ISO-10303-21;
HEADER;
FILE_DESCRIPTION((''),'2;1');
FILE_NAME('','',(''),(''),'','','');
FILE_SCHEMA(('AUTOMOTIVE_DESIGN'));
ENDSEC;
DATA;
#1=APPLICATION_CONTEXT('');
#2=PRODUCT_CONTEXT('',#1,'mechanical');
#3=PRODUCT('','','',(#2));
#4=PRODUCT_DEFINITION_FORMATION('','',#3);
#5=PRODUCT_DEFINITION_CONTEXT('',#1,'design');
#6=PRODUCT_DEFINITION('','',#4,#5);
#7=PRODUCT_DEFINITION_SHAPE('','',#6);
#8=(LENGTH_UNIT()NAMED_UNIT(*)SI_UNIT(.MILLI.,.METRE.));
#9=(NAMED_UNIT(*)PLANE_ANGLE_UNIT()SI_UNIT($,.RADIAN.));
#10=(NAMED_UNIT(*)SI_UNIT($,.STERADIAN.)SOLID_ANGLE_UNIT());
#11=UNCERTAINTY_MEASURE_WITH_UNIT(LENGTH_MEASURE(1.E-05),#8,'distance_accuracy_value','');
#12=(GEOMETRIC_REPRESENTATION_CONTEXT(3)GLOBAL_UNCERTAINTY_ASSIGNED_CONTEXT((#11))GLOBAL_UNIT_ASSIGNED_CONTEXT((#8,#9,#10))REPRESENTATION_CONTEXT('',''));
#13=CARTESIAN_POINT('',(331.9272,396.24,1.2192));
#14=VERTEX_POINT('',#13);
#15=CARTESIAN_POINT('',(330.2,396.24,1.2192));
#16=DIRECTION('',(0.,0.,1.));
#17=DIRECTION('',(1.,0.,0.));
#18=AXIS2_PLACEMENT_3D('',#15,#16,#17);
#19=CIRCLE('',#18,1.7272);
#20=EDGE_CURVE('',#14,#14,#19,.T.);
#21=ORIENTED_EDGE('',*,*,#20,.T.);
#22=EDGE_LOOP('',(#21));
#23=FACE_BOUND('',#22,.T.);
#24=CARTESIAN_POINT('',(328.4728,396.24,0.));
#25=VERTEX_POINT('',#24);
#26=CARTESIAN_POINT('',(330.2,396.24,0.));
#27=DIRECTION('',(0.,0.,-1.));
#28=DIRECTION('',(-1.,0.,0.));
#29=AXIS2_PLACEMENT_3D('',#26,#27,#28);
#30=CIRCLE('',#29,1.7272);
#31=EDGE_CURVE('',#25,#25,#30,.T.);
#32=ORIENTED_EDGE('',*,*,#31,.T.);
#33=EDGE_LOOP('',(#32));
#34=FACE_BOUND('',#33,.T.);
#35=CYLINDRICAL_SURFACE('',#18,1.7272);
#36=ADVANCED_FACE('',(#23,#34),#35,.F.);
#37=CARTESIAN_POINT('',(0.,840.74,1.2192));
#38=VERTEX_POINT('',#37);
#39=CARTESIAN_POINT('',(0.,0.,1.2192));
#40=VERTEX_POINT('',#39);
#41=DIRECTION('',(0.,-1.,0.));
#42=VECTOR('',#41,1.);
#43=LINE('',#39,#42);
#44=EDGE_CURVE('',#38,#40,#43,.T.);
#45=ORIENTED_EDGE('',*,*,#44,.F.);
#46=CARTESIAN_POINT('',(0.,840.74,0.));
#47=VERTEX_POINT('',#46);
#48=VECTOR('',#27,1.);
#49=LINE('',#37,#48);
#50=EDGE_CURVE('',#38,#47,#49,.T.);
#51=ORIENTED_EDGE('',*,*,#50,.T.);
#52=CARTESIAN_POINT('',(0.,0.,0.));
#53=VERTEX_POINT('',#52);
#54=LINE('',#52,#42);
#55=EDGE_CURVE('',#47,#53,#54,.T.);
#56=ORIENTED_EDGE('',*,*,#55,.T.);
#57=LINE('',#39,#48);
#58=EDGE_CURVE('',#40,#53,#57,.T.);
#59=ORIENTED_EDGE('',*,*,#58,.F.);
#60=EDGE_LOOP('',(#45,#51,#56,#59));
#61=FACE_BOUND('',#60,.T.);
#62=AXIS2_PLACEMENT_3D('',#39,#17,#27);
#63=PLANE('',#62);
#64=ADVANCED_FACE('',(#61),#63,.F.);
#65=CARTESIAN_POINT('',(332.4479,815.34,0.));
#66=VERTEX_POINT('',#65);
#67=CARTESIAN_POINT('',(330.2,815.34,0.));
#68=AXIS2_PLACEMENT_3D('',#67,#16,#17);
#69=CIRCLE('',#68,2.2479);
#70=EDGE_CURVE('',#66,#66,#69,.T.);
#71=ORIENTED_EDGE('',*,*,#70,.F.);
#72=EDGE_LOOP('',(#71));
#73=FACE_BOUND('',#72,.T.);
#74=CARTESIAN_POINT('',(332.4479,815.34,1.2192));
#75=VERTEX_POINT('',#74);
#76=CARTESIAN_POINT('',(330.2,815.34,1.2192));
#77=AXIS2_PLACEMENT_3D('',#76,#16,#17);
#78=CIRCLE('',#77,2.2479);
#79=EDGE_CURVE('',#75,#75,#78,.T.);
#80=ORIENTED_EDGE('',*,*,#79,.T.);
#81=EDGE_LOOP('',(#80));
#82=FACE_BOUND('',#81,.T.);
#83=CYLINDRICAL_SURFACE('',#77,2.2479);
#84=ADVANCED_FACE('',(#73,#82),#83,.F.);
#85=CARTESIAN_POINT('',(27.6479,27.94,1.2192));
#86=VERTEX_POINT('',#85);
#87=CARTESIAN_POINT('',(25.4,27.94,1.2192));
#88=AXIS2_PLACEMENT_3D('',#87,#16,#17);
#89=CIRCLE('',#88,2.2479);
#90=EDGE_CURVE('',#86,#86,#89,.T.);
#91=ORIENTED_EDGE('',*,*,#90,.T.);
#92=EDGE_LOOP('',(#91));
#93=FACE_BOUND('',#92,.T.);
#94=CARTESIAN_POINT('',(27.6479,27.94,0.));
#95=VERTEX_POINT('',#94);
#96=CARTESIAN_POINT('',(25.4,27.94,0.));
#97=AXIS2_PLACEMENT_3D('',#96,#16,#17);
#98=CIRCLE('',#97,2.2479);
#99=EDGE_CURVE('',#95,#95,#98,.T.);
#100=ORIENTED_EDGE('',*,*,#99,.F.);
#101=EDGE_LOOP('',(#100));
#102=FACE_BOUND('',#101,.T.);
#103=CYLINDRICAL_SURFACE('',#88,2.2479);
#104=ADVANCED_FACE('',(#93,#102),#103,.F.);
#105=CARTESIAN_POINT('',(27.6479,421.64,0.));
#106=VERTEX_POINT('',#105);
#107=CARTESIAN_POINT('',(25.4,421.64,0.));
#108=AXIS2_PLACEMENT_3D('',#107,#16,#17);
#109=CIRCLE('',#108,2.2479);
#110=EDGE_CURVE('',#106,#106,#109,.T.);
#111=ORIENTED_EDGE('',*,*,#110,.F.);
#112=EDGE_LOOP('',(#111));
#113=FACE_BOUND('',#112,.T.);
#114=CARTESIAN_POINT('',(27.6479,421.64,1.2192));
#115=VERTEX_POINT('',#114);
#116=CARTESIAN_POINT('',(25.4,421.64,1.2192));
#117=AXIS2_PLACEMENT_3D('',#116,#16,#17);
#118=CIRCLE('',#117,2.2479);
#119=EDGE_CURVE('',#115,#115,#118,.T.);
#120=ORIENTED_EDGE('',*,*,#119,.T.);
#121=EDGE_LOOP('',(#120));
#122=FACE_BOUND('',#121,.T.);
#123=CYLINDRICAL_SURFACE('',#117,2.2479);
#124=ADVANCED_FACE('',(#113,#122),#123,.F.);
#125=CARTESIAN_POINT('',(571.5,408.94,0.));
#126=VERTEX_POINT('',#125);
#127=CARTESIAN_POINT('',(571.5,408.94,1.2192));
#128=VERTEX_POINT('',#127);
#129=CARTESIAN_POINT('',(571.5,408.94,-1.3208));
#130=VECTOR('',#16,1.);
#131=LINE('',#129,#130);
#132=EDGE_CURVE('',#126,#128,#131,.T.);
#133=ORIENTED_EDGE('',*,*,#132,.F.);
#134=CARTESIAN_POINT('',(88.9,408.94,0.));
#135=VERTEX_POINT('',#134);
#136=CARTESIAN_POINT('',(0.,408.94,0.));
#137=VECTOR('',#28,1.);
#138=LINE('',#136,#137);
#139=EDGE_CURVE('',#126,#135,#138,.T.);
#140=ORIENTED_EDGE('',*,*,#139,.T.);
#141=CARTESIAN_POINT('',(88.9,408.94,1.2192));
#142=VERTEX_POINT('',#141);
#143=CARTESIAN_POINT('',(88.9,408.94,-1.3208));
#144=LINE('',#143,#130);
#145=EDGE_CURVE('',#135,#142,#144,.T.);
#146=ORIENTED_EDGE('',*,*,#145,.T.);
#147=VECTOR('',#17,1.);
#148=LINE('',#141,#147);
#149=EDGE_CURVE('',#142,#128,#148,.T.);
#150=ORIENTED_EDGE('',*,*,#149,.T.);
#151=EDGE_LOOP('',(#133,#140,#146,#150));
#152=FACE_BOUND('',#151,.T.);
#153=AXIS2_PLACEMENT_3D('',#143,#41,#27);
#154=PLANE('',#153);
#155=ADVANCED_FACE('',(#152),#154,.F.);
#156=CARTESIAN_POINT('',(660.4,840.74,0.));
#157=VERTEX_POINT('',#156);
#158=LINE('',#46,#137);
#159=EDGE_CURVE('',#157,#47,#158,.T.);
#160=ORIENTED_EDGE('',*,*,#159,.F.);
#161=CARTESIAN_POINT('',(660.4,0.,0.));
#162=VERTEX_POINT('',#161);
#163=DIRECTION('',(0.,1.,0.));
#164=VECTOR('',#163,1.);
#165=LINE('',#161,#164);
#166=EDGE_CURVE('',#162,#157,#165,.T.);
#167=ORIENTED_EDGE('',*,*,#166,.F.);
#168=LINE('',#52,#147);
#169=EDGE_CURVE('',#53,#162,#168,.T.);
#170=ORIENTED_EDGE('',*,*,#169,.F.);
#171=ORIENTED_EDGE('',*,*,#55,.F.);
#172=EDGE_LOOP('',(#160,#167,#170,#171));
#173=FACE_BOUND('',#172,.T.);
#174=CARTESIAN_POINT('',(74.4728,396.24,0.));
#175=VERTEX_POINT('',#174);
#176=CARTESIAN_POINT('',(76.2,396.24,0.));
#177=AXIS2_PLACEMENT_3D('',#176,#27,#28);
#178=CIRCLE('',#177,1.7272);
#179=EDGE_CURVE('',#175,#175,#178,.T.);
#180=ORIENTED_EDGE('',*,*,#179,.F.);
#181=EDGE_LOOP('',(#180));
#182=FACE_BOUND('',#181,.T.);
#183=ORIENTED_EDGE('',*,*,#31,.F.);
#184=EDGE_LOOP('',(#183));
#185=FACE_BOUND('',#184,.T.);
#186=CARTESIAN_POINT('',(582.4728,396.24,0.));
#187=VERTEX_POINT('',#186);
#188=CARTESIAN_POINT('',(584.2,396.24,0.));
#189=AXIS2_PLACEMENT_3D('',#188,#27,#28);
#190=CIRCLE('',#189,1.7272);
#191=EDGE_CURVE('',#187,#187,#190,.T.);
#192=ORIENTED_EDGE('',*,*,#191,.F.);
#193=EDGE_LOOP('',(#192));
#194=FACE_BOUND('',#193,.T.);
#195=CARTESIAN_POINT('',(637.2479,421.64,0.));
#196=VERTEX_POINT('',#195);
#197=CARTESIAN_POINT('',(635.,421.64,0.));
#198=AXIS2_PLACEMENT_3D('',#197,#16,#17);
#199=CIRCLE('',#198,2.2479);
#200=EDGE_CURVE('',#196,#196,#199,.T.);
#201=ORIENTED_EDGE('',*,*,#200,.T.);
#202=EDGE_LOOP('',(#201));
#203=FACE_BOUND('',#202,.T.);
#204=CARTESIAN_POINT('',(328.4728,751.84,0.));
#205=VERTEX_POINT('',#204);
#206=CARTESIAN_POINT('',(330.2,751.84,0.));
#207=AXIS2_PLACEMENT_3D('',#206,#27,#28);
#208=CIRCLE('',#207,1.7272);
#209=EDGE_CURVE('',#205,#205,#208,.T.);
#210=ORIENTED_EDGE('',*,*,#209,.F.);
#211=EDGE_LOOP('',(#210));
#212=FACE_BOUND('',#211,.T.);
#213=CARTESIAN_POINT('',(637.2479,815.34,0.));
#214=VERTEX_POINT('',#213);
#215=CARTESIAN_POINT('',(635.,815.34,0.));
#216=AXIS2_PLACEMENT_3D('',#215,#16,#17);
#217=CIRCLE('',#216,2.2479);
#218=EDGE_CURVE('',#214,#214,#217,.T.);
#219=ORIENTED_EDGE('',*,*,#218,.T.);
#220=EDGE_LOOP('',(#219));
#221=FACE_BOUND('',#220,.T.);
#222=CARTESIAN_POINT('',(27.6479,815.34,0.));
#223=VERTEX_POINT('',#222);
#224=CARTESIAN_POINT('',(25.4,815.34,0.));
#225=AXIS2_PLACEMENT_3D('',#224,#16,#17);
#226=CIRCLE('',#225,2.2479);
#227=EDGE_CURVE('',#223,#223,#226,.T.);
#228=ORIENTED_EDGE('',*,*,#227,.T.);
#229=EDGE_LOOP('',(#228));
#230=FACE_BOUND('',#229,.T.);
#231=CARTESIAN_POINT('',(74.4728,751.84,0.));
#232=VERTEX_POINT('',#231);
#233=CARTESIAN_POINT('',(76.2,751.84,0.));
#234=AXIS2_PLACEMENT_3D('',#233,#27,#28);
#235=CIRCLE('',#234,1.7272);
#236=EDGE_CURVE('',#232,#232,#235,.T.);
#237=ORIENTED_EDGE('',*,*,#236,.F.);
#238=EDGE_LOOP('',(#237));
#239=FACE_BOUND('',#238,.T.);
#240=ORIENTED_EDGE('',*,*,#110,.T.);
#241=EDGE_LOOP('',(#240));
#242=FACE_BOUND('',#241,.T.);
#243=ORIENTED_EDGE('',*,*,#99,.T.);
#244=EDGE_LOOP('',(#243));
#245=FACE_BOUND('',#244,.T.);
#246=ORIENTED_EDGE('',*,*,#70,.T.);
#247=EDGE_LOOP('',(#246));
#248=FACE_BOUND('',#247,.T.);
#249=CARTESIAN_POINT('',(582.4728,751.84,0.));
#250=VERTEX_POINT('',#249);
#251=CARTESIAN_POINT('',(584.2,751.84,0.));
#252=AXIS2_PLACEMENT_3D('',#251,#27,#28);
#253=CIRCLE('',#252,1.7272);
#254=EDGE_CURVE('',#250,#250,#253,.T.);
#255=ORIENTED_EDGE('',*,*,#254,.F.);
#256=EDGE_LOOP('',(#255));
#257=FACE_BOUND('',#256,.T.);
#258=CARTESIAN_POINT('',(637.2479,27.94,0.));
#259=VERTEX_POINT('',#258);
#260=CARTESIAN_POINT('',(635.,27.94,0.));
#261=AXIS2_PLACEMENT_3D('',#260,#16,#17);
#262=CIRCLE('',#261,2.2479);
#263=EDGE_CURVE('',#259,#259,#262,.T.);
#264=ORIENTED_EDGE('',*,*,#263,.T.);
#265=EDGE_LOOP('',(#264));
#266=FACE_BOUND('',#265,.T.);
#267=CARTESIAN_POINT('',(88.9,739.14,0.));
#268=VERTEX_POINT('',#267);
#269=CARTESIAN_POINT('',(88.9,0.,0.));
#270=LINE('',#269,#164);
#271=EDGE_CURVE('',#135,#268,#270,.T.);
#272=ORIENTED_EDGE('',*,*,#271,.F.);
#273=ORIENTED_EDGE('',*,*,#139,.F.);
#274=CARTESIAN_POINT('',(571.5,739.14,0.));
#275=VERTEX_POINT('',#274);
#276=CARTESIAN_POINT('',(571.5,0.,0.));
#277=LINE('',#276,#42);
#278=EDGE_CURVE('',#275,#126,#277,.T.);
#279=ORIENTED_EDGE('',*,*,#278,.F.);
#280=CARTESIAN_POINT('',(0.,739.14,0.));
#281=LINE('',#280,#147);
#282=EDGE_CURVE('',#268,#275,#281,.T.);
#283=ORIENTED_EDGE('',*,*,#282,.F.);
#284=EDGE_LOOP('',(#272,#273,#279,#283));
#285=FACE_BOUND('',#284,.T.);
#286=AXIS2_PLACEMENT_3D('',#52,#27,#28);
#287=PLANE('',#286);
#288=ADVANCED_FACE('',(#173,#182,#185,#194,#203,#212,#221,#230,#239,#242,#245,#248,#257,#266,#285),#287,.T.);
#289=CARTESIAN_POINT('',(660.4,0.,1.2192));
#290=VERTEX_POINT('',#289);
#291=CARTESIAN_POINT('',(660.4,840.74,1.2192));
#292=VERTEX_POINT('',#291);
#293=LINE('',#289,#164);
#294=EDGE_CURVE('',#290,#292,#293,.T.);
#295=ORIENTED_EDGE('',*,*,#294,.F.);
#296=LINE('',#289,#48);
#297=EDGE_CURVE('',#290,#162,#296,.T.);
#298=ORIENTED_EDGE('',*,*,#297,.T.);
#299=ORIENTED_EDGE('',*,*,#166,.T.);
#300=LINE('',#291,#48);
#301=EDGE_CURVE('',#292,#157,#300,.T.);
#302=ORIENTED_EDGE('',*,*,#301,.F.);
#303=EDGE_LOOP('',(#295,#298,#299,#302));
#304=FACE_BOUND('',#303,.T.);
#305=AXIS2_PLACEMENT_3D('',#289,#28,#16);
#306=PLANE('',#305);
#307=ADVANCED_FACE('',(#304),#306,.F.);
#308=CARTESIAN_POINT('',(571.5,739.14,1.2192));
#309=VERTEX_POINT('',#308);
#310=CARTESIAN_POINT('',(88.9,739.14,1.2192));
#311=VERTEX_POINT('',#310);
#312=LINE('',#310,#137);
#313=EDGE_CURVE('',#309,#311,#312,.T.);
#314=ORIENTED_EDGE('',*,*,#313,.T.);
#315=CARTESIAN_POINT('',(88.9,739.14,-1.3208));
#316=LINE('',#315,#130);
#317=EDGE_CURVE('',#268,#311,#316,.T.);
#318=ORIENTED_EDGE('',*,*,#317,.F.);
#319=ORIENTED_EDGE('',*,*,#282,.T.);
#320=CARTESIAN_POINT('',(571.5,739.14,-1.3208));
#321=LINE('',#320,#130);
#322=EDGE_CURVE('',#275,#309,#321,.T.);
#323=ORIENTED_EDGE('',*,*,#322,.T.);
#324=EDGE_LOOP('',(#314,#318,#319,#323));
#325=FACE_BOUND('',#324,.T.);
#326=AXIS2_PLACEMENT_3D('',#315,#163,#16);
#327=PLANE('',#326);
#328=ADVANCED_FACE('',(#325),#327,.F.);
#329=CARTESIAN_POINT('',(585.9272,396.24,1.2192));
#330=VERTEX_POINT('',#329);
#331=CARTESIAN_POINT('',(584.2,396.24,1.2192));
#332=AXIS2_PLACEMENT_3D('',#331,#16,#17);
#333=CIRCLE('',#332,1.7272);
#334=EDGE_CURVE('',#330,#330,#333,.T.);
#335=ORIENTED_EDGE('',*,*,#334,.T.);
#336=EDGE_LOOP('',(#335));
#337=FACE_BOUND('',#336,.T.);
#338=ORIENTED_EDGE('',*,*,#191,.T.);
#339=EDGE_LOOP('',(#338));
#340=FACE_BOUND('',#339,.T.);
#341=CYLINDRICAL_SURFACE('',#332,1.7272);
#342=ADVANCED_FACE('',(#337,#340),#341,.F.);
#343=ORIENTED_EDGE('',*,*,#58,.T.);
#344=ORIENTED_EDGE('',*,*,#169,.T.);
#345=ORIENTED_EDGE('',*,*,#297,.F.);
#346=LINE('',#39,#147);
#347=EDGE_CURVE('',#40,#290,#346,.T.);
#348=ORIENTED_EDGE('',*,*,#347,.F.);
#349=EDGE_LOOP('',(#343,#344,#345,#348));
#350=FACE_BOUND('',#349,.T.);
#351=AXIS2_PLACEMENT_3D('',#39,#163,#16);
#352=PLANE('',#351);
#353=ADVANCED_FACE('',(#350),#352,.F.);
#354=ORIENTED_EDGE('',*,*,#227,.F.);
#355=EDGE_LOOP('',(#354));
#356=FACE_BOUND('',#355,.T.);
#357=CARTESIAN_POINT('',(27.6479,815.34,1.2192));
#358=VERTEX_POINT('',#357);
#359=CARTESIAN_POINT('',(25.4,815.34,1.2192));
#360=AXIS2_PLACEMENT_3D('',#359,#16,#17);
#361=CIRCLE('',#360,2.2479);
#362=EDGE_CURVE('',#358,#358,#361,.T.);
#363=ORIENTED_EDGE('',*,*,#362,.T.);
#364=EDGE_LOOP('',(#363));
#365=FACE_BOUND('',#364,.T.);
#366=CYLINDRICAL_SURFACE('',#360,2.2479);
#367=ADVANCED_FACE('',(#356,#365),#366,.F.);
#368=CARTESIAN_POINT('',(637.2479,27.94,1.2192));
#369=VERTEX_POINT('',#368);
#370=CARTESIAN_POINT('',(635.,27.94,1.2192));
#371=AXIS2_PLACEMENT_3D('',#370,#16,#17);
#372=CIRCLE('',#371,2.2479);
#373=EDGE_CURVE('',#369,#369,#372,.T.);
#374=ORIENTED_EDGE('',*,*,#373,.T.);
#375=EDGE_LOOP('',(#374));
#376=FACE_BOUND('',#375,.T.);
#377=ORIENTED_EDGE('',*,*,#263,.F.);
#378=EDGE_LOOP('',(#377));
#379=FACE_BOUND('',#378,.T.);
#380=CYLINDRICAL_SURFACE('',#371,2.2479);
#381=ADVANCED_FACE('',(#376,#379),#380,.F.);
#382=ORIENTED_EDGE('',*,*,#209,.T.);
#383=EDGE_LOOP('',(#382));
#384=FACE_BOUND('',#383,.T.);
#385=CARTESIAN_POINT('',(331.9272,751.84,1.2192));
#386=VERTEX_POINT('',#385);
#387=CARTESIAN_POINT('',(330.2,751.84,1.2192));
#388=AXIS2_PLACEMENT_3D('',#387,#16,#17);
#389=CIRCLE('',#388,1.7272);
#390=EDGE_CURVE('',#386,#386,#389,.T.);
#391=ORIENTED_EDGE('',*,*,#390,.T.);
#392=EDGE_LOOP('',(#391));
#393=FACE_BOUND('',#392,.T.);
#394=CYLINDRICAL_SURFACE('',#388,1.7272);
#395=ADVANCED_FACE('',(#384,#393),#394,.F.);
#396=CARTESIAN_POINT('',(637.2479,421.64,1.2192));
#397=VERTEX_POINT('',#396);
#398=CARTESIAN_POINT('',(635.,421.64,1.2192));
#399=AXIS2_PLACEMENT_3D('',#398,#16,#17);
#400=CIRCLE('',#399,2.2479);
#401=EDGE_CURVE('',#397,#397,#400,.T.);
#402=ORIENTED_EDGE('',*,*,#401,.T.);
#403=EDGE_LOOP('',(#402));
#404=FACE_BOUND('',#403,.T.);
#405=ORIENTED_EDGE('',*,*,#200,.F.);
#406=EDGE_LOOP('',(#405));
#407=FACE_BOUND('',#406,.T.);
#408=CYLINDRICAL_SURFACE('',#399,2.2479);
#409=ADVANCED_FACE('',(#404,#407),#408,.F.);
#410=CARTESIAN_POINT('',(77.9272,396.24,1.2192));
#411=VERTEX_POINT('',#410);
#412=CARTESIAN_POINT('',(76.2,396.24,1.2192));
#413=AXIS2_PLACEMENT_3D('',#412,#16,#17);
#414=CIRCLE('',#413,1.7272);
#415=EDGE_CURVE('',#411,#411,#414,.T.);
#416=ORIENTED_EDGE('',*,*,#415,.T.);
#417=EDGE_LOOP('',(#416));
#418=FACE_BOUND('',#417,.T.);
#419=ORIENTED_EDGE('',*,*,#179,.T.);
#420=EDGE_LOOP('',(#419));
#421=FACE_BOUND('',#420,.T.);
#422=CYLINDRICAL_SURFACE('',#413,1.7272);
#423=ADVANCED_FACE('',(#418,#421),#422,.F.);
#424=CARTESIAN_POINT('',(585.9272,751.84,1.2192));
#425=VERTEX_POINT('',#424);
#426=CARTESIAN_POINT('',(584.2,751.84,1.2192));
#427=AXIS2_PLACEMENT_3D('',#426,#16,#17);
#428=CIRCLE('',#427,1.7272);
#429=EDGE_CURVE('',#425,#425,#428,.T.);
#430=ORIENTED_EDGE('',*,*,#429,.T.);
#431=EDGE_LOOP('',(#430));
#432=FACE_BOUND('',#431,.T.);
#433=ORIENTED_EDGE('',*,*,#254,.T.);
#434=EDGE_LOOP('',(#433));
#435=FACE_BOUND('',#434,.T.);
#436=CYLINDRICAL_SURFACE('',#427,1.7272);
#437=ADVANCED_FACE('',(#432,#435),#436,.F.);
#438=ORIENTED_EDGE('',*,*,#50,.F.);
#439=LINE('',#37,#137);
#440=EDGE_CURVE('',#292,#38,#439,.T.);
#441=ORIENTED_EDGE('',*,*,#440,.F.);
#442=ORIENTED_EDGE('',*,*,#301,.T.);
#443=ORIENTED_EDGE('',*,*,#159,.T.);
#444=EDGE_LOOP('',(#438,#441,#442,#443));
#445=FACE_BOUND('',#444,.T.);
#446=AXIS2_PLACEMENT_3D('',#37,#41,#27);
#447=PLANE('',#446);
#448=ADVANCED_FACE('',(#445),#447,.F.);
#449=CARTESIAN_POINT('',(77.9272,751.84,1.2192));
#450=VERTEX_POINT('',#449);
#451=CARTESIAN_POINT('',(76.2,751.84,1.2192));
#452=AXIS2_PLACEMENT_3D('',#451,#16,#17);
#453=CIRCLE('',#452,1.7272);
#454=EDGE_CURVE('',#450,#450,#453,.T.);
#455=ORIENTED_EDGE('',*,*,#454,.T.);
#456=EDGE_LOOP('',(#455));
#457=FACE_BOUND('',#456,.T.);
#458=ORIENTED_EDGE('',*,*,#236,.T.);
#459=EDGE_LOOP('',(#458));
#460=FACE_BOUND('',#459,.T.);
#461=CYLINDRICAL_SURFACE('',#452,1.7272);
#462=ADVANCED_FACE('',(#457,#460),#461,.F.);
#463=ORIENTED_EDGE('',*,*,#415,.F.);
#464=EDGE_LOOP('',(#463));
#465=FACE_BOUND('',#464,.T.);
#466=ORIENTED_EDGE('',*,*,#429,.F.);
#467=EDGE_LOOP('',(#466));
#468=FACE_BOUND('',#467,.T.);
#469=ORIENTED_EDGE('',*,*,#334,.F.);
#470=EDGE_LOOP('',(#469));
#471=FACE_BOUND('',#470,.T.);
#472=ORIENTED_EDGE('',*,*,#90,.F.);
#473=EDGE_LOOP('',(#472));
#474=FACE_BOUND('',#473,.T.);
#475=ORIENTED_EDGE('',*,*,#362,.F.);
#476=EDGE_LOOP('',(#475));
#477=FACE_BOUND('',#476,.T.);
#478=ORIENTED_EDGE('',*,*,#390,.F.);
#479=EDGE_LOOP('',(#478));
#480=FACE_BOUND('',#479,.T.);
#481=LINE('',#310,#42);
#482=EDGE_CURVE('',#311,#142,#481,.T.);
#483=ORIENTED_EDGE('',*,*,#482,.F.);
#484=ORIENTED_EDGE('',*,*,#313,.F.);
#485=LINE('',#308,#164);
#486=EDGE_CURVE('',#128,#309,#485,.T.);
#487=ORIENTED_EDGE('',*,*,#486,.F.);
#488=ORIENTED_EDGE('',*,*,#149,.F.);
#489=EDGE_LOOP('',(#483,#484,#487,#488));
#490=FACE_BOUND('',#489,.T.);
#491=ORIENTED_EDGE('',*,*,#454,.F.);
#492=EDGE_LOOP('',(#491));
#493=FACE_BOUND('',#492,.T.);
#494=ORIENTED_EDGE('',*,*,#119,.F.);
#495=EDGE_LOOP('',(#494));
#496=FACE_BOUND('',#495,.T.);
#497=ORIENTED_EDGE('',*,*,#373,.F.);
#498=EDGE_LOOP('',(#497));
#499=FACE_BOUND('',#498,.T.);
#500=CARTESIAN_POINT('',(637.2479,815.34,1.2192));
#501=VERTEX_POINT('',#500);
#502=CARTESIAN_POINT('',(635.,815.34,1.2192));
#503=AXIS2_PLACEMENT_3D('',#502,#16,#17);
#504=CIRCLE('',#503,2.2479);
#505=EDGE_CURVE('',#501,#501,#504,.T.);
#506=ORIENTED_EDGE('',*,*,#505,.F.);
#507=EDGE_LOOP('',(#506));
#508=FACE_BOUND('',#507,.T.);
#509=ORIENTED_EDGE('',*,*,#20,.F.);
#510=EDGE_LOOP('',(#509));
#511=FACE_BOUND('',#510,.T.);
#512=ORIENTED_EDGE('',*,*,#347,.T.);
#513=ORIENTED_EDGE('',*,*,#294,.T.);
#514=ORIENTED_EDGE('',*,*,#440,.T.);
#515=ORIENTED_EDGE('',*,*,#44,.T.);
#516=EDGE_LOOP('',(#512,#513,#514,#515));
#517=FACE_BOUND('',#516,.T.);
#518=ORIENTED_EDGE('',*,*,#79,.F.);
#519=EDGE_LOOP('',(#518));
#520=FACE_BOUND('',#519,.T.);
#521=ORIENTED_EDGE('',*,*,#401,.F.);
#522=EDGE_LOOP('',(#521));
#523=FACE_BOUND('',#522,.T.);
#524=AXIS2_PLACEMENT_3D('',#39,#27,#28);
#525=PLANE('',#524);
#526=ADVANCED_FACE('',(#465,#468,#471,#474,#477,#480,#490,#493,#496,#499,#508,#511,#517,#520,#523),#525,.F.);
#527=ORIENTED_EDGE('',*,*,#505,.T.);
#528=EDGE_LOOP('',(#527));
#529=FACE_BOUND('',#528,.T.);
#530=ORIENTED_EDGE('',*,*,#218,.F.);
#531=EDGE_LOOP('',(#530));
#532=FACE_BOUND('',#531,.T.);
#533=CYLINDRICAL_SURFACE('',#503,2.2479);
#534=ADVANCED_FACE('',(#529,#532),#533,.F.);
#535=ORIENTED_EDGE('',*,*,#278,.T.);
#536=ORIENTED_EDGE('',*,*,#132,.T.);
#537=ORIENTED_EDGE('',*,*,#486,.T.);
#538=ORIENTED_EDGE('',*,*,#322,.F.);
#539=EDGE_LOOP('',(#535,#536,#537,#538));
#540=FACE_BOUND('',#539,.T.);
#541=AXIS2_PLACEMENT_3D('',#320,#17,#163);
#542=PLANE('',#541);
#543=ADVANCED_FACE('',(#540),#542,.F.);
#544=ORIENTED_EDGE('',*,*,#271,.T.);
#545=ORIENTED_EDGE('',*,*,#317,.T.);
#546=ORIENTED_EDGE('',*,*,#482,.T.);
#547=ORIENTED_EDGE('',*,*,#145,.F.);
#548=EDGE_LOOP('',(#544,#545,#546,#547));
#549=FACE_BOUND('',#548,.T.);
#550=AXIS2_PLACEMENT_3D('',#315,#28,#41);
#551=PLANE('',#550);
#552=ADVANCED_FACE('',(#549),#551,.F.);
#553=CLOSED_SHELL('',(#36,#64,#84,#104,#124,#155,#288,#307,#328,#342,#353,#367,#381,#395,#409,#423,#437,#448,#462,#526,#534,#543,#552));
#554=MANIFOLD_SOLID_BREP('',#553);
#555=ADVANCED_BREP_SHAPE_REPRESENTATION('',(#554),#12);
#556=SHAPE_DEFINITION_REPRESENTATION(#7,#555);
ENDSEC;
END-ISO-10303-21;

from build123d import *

# Parameters (mm, degrees)
SKETCH1_W                     = 660.4
SKETCH1_H                     = 840.74
BOSS_EXTRUDE1_DEPTH           = 1.2192
F_8_CLEARANCE_HOLE1_D         = 4.4958
SKETCH5_W                     = 482.6
SKETCH5_H                     = 330.2
CUT_EXTRUDE1_DEPTH            = 2.54
TAP_DRILL_FOR_8_32_TAP1_D     = 3.4544
TAP_DRILL_FOR_8_32_TAP1_DEPTH = 25.4
TAP_DRILL_FOR_8_32_TAP1_TIP   = 1.037806461


with BuildPart() as part:
    # Sketch1 → Boss-Extrude1 (new body)
    with BuildSketch(Plane.XY):
        with Locations((330.2, 420.37)):
            Rectangle(SKETCH1_W, SKETCH1_H)
    extrude(amount=BOSS_EXTRUDE1_DEPTH)

    # #8 Clearance Hole1 (through all)
    with Locations(Plane.XY.offset(1.2192)):
        with Locations((25.4, 815.34), (330.2, 815.34), (635, 815.34), (25.4, 421.64), (25.4, 27.94), (635, 27.94), (635, 421.64)):
            Hole(F_8_CLEARANCE_HOLE1_D / 2)

    # Sketch5 → Cut-Extrude1 (cut)
    with BuildSketch(Plane.XY.offset(1.2192)):
        with Locations((330.2, 574.04)):
            Rectangle(SKETCH5_W, SKETCH5_H)
    extrude(amount=-CUT_EXTRUDE1_DEPTH, mode=Mode.SUBTRACT)

    # Tap Drill for #8-32 Tap1
    with Locations(Plane.XY.offset(1.2192)):
        with Locations((76.2, 751.84), (330.2, 751.84), (584.2, 751.84), (584.2, 396.24), (330.2, 396.24), (76.2, 396.24)):
            Hole(TAP_DRILL_FOR_8_32_TAP1_D / 2, depth=TAP_DRILL_FOR_8_32_TAP1_DEPTH)
            with Locations((0, 0, -(TAP_DRILL_FOR_8_32_TAP1_DEPTH + TAP_DRILL_FOR_8_32_TAP1_TIP / 2))):  # 118° drill point
                Cone(0, TAP_DRILL_FOR_8_32_TAP1_D / 2, TAP_DRILL_FOR_8_32_TAP1_TIP, mode=Mode.SUBTRACT)


solid = part.part
